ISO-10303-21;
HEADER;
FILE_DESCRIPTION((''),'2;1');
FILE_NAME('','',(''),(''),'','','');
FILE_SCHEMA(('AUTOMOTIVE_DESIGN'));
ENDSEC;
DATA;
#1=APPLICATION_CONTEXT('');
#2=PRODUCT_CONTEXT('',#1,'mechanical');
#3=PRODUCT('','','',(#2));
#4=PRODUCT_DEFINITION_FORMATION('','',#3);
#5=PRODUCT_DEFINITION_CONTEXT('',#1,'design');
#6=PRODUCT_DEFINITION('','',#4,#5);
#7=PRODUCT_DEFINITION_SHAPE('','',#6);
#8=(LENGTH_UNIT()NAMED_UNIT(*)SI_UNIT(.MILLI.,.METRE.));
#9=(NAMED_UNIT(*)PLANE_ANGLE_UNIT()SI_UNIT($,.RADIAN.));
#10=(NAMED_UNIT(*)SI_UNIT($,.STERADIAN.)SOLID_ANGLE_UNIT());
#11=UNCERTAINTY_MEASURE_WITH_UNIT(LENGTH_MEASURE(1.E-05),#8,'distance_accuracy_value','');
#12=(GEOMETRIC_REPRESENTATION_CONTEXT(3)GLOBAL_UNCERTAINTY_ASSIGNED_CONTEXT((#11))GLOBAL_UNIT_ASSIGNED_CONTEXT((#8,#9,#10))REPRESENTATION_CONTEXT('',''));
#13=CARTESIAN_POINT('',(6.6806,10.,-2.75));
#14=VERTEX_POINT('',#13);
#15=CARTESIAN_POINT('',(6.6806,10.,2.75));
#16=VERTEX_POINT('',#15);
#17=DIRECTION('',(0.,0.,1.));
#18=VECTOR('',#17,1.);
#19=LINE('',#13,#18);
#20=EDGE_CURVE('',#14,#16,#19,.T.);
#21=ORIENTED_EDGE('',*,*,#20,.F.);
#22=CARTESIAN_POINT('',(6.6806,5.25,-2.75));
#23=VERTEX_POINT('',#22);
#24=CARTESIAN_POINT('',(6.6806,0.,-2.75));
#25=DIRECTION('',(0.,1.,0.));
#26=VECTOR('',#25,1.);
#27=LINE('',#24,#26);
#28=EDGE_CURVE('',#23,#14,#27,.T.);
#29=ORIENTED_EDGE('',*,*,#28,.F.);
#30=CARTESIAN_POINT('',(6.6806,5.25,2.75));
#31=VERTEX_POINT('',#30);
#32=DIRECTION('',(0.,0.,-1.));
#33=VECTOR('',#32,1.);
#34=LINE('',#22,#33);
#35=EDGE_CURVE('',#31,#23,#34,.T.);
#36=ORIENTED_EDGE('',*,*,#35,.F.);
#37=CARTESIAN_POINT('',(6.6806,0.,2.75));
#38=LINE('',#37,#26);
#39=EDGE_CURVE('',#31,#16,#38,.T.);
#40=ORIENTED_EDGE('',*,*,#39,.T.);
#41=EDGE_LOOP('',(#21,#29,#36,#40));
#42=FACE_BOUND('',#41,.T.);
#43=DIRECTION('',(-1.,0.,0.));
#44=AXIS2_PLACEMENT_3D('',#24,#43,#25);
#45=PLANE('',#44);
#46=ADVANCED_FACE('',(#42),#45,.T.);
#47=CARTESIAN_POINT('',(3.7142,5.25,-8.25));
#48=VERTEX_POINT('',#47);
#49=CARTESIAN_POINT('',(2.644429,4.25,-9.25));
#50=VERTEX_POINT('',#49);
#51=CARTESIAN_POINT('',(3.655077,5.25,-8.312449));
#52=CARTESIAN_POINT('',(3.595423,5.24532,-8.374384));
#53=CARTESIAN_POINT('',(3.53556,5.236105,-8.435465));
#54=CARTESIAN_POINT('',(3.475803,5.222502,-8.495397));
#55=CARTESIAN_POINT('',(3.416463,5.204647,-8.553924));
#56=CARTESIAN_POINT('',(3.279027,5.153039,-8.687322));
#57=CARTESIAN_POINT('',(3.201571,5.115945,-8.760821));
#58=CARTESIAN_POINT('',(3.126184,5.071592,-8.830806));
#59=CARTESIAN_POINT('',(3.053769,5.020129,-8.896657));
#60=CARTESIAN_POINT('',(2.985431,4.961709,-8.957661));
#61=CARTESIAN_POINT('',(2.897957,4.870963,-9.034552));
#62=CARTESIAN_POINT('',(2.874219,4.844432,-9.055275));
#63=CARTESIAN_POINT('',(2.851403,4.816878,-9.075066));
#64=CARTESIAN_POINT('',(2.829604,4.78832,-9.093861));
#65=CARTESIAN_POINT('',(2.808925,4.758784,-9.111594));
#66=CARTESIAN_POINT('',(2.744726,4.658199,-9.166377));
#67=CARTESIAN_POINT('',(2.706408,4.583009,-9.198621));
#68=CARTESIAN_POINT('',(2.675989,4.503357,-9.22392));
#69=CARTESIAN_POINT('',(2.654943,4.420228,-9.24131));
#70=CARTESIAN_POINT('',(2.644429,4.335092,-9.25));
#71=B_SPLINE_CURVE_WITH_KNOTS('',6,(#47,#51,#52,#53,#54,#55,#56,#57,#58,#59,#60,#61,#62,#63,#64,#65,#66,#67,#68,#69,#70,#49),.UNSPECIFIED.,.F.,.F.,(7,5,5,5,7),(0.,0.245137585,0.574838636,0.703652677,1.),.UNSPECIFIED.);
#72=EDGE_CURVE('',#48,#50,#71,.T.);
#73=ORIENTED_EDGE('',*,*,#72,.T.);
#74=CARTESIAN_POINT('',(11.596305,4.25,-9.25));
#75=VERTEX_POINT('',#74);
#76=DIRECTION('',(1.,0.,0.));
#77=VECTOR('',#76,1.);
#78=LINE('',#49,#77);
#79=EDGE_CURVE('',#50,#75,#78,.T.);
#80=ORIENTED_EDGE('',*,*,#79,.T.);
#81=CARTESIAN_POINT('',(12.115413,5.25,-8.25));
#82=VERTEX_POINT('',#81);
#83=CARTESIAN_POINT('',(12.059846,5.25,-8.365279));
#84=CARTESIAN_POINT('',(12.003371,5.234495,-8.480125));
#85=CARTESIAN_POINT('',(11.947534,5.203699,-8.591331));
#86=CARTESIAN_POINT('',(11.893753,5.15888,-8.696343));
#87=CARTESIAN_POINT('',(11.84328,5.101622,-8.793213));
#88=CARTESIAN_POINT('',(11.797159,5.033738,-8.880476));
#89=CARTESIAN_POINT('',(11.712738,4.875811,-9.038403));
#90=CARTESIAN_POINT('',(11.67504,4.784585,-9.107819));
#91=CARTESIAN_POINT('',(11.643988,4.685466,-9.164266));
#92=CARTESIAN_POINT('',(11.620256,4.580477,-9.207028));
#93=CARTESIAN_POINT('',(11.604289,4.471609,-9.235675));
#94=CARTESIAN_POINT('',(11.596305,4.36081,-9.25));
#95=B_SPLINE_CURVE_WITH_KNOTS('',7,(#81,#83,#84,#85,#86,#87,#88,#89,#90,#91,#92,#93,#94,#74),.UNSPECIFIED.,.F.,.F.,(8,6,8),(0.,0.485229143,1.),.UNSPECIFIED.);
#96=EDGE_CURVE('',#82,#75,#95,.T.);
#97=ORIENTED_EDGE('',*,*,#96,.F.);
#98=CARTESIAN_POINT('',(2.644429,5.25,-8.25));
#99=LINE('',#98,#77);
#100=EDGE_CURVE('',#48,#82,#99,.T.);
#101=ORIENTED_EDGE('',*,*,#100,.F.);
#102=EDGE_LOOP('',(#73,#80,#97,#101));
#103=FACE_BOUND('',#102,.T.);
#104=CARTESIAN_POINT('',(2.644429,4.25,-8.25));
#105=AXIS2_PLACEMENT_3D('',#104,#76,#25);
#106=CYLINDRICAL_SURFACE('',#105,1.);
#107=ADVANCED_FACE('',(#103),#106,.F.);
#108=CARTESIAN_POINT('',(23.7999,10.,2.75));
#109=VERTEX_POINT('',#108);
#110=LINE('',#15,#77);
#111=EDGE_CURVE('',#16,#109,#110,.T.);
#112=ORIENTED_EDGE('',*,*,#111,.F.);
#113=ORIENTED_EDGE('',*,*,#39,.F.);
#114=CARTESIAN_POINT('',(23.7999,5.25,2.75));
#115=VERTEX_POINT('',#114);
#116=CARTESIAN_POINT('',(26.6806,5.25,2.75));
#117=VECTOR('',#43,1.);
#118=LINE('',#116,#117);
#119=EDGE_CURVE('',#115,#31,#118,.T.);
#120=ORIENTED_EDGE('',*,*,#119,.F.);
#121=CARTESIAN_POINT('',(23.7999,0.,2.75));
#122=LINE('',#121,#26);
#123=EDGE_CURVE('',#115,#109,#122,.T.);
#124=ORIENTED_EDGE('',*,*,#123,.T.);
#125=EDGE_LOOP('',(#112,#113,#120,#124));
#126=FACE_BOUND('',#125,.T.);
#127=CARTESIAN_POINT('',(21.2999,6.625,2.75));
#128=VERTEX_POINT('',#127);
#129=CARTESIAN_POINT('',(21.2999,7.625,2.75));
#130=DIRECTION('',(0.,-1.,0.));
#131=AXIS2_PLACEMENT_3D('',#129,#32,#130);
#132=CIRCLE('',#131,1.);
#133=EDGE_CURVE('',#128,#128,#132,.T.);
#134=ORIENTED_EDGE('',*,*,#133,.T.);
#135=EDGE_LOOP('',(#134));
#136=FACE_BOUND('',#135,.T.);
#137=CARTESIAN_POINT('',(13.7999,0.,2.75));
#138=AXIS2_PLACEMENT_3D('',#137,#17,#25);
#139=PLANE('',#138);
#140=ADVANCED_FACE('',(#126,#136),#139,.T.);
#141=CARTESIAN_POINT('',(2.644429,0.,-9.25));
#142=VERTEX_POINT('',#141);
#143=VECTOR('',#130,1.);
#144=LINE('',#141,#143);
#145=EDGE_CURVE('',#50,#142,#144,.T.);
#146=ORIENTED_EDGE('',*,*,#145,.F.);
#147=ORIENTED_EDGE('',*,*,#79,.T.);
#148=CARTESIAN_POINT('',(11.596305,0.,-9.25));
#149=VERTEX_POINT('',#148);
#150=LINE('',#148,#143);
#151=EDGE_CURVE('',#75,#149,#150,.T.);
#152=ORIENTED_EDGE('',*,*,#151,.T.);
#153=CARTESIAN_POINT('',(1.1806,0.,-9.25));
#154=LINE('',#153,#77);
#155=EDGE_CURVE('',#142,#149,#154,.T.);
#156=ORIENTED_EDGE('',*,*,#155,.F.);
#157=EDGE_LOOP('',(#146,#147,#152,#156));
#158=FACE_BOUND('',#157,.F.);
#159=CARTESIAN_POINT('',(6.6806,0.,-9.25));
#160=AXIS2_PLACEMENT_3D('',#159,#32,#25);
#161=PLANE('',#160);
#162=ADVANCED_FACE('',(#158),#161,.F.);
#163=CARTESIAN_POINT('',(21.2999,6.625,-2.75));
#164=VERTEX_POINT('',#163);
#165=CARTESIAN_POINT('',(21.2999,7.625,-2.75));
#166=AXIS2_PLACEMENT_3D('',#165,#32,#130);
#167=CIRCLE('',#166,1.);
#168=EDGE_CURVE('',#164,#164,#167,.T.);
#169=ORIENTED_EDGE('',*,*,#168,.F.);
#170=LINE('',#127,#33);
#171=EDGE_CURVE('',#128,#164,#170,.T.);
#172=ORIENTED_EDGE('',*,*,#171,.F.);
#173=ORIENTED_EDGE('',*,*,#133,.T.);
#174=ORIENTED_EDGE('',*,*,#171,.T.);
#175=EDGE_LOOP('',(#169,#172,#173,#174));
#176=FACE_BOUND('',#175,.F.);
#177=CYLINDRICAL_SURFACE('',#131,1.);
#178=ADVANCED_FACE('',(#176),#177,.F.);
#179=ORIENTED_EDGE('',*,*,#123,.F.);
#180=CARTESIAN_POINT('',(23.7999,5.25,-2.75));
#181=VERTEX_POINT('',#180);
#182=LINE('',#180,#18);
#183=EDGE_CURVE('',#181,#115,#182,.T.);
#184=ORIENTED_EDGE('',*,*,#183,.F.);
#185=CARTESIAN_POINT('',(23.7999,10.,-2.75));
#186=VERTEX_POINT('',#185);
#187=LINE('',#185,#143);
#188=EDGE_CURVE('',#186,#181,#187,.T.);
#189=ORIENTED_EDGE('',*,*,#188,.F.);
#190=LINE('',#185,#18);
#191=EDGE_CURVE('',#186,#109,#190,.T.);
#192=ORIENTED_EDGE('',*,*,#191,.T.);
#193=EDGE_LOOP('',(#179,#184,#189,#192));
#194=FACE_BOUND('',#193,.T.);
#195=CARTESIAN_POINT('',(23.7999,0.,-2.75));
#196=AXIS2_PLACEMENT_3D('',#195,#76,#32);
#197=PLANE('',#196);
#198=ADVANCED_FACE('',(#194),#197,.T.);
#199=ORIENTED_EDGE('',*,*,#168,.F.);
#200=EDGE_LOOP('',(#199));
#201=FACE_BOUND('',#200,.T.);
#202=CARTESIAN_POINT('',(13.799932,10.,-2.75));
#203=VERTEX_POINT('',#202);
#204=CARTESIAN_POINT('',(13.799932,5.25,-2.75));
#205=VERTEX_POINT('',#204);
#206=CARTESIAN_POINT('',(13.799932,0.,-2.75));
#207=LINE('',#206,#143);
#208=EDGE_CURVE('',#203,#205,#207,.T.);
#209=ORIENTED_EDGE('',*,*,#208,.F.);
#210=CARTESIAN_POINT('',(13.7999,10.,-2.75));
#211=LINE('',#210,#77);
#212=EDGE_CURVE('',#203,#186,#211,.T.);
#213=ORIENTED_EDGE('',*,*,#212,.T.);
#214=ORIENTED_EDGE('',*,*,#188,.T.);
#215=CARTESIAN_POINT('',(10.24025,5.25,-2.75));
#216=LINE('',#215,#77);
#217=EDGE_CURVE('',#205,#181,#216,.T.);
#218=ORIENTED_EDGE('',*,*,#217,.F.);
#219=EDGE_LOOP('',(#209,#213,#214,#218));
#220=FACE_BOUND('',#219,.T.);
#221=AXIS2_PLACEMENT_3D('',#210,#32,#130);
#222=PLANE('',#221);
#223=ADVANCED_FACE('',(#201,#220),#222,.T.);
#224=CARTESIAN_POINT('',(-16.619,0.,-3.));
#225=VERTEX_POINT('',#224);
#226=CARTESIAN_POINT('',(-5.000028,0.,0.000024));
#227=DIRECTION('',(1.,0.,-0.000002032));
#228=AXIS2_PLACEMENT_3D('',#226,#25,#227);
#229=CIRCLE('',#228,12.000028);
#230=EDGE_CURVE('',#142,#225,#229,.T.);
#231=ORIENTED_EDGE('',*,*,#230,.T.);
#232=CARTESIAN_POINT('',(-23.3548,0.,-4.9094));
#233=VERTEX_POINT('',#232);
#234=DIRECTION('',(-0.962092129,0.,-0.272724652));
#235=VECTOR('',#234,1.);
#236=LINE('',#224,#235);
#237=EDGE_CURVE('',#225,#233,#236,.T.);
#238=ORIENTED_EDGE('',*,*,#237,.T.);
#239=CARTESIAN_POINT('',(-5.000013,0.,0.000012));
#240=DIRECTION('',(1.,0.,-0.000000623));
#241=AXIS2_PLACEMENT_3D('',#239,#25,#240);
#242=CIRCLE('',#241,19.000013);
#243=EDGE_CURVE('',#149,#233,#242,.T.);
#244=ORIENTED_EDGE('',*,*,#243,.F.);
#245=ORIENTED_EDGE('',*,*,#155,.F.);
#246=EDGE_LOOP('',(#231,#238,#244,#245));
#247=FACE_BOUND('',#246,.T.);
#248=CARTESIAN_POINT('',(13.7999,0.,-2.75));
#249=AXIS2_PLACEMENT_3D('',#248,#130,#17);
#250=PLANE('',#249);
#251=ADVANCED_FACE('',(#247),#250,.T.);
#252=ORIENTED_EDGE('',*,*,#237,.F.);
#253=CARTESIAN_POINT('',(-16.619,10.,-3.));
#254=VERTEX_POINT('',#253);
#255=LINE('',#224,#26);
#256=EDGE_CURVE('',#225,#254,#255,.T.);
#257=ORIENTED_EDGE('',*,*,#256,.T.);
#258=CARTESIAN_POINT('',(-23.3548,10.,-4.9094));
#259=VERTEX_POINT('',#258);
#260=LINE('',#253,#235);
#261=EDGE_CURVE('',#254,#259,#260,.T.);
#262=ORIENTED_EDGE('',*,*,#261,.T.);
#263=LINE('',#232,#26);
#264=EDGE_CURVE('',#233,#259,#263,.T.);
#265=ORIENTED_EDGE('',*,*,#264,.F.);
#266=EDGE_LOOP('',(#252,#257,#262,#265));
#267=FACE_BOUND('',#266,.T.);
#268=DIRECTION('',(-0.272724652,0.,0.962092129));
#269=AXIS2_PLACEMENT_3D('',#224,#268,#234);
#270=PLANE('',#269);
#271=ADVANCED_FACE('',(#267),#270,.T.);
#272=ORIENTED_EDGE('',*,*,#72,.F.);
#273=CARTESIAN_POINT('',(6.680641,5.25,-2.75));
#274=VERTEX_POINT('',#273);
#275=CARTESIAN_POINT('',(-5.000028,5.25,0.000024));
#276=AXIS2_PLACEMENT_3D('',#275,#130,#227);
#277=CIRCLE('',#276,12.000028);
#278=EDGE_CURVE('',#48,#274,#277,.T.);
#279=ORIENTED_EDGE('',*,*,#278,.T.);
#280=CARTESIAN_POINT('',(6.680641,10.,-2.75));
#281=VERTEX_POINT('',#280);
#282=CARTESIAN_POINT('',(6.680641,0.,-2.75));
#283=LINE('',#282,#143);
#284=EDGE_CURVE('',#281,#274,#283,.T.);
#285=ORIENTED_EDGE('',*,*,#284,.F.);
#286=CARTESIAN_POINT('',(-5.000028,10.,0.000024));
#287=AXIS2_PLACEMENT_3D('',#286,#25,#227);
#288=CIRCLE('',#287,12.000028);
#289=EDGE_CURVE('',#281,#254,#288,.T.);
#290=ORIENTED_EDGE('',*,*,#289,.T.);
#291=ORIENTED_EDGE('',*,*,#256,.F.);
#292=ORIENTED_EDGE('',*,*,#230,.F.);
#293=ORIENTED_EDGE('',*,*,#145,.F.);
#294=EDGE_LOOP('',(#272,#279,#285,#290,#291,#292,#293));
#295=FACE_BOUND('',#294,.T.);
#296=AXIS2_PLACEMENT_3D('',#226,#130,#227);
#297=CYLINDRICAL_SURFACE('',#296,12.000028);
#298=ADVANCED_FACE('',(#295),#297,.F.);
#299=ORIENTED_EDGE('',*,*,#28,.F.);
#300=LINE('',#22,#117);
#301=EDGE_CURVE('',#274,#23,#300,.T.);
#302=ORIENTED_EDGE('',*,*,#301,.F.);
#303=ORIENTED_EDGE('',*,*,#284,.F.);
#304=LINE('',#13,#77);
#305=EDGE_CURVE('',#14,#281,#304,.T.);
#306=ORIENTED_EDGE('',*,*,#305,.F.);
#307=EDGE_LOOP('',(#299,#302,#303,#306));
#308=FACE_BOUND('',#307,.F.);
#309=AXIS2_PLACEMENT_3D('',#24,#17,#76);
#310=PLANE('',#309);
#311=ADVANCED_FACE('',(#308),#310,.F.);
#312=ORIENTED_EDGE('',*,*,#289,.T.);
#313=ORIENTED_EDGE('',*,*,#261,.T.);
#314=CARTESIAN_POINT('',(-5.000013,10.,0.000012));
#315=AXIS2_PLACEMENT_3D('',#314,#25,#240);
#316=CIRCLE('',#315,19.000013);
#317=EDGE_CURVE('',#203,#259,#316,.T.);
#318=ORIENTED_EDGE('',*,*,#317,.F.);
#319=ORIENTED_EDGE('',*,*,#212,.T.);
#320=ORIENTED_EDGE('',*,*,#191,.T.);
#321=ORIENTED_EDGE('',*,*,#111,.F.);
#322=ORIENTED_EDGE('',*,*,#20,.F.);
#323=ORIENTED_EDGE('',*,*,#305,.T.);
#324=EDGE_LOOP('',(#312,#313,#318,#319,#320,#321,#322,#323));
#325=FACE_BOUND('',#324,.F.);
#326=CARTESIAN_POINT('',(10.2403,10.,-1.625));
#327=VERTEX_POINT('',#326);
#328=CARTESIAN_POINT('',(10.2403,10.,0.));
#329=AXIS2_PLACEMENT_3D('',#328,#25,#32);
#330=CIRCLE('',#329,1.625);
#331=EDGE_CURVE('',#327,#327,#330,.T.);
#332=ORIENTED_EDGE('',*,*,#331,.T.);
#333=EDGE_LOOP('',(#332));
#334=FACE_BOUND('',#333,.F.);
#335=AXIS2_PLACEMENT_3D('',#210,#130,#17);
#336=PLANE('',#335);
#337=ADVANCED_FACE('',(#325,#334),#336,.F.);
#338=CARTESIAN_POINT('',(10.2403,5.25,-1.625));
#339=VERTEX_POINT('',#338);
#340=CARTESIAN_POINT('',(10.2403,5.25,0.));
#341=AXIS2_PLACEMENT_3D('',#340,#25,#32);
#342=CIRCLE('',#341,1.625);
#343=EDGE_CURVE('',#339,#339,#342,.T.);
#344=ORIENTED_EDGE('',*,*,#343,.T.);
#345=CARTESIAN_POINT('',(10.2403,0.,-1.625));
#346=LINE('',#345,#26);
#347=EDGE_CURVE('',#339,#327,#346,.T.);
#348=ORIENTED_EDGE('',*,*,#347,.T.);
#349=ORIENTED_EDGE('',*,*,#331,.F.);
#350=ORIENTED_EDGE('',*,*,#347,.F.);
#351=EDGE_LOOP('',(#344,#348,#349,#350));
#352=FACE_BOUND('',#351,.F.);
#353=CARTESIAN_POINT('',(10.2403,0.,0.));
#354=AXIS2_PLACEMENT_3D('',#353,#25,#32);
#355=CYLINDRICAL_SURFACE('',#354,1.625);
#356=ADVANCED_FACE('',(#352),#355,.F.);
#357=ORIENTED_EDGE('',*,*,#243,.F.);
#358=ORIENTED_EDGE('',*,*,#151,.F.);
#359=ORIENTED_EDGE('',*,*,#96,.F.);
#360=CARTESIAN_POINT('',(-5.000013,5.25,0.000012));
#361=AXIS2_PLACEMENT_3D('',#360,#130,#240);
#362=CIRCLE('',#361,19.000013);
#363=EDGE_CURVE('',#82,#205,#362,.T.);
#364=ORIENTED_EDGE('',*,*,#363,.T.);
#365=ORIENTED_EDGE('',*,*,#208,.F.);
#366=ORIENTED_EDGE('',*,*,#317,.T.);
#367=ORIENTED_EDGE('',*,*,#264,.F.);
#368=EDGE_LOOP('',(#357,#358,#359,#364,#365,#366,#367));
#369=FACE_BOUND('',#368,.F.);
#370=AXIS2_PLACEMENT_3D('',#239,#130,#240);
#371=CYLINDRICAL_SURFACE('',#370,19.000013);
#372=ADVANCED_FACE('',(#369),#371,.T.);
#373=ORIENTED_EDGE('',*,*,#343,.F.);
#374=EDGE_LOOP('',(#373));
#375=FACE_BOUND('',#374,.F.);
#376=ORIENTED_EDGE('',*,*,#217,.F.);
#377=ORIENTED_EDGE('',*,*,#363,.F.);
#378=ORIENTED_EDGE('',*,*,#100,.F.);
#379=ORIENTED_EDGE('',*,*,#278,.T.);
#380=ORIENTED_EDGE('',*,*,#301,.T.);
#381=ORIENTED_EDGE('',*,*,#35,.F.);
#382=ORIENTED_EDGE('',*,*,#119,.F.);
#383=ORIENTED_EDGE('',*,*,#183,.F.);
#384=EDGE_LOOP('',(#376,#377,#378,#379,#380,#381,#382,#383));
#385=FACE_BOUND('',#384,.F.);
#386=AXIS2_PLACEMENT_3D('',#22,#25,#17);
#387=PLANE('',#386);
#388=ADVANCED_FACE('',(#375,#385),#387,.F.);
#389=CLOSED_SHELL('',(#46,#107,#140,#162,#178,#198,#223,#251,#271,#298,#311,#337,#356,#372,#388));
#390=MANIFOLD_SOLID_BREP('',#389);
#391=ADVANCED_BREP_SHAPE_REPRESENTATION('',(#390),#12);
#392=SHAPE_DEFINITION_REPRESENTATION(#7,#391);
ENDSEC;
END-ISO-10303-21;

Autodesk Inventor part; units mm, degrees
ref_plane "YZ Plane" through (0, 0, 0) normal (1, 0, 0) x (0, 1, 0)
ref_plane "XZ Plane" through (0, 0, 0) normal (0, 1, 0) x (-1, 0, 0)
sketch "Sketch1" plane through (0, 0, 0) normal (0, 1, 0) x (-1, 0, 0)
  line L0 (5, 0) -> (16.619, -3)
  line L1 (5, 0) -> (-7, 0)
  arc A0 (-7, 0) -> (16.619, -3) centre (5, 0) ccw
  line L2 (0, 0) -> (-12, 0)
  arc A1 (-14, 0) -> (23.3548, -4.9094) centre (5, 0) ccw
  line L3 (16.619, -3) -> (23.3548, -4.9094)
  line L4 (-7, 0) -> (-14, 0)
  point P0 (-7, 0)
  dimension "d0" = 12
  dimension "d2" = 3
  dimension "d3" = 12
  dimension "d4" = 0
  dimension "d5" = 5
  dimension "d6" = 0
  dimension "d7" = 7
extrude "Extrusion1" add sketch "Sketch1" along normal blind 10 contours L3 A1 L4 L2 A0
ref_plane "Work Plane1" through (7, 0, -2.75) normal (0, 0, 1) x (1, 0, 0)
split "Split1" plane through (7, 0, -2.75) removes the side toward (0, 0, 1)
sketch "Sketch2" plane through (6.6806, 0, -2.75) normal (0, 0, 1) x (1, 0, 0)
  line L0 (0, 0) -> (0, 10) projected
  line L1 (7.1193, 0) -> (0, 0) projected
  line L2 (7.1193, 10) -> (7.1193, 0) projected
  line L3 (0, 10) -> (7.1193, 10) projected
  point P0 (-6.6806, 0)
extrude "Extrusion2" add sketch "Sketch2" along normal blind 5.5
sketch "Sketch3" plane through (13.7999, 0, -2.75) normal (1, 0, 0) x (0, 0, -1)
  line L0 (0, 10) -> (0, 0) projected
  line L1 (0, 10) -> (-5.5, 10) projected
  line L2 (-5.5, 0) -> (-5.5, 10) projected
  line L3 (0, 0) -> (-5.5, 0) projected
  point P0 (-2.75, 0)
extrude "Extrusion3" add sketch "Sketch3" along normal blind 10
sketch "Sketch4" plane through (0, 0, 0) normal (0, -1, 0) x (1, 0, 0)
  line L0 (6.6806, -2.75) -> (6.6806, 2.75) projected
  point P0 (0, 0)
  point P1 (10.2403, 0)
  point P2 (13.7999, -2.75)
  dimension "d15" = 0
  dimension "d16" = 3.5596
  dimension "d17" = 7.1193
hole "Hole1" at (10.2403, 0, 0) direction (0, 1, 0) diameter 3.25 end through all
sketch "Sketch5" plane through (6.6806, 0, -2.75) normal (-1, 0, 0) x (0, 0, 1)
  line L0 (5.5, 0) -> (-6.5, 0)
  line L1 (-6.5, 0) -> (-6.5, 5.25)
  line L2 (-6.5, 5.25) -> (5.5, 5.25)
  line L3 (5.5, 5.25) -> (5.5, 0)
  line L4 (0, 12) -> (0, -2) projected
  dimension "d29" = 5.25
  dimension "d30" = 6.5
extrude "halfCut" cut sketch "Sketch5" along normal blind 5.5 and the other way blind 20
fillet "Fillet1" radius 1 1 edges at (7.1204, 5.25, -9.25)
sketch "Sketch6" plane through (6.6806, 0, 2.75) normal (0, 0, 1) x (1, 0, 0)
  line L0 (0, 10) -> (17.1193, 10) projected
  line L1 (0, 5.25) -> (17.1193, 5.25) projected
  line L2 (17.1193, 10) -> (17.1193, 5.25) projected
  point P0 (-6.6806, 0)
  point P1 (14.6193, 7.625)
  dimension "d33" = 2.375
  dimension "d34" = 4.75
  dimension "d35" = 2.5
hole "Hole2" at (21.2999, 7.625, 2.75) direction (0, 0, -1) diameter 2 end through all
equation "\"d0\" = r"
equation "\"d2\" = 0.5 * a1"
equation "\"d3\" = r"
equation "\"d7\" = t"
equation "\"d11\" = a2"
equation "\"d16\" = 0.5 * d17"
equation "\"d18\" = dpin"
equation "\"d28\" = fillet"
equation "\"d33\" = 0.5 * d34"
equation "\"d36\" = dcable"
equation "\"r\" = 12"
equation "\"t\" = 7"
equation "\"a1\" = 6"
equation "\"a2\" = 5.5"
equation "\"d10\" = -0.5 * a2"
equation "\"dpin\" = 3.25"
equation "\"fillet\" = 1"
equation "\"dcable\" = 2"
properties part number "holder2_clamp" material "Steel, Mild"
